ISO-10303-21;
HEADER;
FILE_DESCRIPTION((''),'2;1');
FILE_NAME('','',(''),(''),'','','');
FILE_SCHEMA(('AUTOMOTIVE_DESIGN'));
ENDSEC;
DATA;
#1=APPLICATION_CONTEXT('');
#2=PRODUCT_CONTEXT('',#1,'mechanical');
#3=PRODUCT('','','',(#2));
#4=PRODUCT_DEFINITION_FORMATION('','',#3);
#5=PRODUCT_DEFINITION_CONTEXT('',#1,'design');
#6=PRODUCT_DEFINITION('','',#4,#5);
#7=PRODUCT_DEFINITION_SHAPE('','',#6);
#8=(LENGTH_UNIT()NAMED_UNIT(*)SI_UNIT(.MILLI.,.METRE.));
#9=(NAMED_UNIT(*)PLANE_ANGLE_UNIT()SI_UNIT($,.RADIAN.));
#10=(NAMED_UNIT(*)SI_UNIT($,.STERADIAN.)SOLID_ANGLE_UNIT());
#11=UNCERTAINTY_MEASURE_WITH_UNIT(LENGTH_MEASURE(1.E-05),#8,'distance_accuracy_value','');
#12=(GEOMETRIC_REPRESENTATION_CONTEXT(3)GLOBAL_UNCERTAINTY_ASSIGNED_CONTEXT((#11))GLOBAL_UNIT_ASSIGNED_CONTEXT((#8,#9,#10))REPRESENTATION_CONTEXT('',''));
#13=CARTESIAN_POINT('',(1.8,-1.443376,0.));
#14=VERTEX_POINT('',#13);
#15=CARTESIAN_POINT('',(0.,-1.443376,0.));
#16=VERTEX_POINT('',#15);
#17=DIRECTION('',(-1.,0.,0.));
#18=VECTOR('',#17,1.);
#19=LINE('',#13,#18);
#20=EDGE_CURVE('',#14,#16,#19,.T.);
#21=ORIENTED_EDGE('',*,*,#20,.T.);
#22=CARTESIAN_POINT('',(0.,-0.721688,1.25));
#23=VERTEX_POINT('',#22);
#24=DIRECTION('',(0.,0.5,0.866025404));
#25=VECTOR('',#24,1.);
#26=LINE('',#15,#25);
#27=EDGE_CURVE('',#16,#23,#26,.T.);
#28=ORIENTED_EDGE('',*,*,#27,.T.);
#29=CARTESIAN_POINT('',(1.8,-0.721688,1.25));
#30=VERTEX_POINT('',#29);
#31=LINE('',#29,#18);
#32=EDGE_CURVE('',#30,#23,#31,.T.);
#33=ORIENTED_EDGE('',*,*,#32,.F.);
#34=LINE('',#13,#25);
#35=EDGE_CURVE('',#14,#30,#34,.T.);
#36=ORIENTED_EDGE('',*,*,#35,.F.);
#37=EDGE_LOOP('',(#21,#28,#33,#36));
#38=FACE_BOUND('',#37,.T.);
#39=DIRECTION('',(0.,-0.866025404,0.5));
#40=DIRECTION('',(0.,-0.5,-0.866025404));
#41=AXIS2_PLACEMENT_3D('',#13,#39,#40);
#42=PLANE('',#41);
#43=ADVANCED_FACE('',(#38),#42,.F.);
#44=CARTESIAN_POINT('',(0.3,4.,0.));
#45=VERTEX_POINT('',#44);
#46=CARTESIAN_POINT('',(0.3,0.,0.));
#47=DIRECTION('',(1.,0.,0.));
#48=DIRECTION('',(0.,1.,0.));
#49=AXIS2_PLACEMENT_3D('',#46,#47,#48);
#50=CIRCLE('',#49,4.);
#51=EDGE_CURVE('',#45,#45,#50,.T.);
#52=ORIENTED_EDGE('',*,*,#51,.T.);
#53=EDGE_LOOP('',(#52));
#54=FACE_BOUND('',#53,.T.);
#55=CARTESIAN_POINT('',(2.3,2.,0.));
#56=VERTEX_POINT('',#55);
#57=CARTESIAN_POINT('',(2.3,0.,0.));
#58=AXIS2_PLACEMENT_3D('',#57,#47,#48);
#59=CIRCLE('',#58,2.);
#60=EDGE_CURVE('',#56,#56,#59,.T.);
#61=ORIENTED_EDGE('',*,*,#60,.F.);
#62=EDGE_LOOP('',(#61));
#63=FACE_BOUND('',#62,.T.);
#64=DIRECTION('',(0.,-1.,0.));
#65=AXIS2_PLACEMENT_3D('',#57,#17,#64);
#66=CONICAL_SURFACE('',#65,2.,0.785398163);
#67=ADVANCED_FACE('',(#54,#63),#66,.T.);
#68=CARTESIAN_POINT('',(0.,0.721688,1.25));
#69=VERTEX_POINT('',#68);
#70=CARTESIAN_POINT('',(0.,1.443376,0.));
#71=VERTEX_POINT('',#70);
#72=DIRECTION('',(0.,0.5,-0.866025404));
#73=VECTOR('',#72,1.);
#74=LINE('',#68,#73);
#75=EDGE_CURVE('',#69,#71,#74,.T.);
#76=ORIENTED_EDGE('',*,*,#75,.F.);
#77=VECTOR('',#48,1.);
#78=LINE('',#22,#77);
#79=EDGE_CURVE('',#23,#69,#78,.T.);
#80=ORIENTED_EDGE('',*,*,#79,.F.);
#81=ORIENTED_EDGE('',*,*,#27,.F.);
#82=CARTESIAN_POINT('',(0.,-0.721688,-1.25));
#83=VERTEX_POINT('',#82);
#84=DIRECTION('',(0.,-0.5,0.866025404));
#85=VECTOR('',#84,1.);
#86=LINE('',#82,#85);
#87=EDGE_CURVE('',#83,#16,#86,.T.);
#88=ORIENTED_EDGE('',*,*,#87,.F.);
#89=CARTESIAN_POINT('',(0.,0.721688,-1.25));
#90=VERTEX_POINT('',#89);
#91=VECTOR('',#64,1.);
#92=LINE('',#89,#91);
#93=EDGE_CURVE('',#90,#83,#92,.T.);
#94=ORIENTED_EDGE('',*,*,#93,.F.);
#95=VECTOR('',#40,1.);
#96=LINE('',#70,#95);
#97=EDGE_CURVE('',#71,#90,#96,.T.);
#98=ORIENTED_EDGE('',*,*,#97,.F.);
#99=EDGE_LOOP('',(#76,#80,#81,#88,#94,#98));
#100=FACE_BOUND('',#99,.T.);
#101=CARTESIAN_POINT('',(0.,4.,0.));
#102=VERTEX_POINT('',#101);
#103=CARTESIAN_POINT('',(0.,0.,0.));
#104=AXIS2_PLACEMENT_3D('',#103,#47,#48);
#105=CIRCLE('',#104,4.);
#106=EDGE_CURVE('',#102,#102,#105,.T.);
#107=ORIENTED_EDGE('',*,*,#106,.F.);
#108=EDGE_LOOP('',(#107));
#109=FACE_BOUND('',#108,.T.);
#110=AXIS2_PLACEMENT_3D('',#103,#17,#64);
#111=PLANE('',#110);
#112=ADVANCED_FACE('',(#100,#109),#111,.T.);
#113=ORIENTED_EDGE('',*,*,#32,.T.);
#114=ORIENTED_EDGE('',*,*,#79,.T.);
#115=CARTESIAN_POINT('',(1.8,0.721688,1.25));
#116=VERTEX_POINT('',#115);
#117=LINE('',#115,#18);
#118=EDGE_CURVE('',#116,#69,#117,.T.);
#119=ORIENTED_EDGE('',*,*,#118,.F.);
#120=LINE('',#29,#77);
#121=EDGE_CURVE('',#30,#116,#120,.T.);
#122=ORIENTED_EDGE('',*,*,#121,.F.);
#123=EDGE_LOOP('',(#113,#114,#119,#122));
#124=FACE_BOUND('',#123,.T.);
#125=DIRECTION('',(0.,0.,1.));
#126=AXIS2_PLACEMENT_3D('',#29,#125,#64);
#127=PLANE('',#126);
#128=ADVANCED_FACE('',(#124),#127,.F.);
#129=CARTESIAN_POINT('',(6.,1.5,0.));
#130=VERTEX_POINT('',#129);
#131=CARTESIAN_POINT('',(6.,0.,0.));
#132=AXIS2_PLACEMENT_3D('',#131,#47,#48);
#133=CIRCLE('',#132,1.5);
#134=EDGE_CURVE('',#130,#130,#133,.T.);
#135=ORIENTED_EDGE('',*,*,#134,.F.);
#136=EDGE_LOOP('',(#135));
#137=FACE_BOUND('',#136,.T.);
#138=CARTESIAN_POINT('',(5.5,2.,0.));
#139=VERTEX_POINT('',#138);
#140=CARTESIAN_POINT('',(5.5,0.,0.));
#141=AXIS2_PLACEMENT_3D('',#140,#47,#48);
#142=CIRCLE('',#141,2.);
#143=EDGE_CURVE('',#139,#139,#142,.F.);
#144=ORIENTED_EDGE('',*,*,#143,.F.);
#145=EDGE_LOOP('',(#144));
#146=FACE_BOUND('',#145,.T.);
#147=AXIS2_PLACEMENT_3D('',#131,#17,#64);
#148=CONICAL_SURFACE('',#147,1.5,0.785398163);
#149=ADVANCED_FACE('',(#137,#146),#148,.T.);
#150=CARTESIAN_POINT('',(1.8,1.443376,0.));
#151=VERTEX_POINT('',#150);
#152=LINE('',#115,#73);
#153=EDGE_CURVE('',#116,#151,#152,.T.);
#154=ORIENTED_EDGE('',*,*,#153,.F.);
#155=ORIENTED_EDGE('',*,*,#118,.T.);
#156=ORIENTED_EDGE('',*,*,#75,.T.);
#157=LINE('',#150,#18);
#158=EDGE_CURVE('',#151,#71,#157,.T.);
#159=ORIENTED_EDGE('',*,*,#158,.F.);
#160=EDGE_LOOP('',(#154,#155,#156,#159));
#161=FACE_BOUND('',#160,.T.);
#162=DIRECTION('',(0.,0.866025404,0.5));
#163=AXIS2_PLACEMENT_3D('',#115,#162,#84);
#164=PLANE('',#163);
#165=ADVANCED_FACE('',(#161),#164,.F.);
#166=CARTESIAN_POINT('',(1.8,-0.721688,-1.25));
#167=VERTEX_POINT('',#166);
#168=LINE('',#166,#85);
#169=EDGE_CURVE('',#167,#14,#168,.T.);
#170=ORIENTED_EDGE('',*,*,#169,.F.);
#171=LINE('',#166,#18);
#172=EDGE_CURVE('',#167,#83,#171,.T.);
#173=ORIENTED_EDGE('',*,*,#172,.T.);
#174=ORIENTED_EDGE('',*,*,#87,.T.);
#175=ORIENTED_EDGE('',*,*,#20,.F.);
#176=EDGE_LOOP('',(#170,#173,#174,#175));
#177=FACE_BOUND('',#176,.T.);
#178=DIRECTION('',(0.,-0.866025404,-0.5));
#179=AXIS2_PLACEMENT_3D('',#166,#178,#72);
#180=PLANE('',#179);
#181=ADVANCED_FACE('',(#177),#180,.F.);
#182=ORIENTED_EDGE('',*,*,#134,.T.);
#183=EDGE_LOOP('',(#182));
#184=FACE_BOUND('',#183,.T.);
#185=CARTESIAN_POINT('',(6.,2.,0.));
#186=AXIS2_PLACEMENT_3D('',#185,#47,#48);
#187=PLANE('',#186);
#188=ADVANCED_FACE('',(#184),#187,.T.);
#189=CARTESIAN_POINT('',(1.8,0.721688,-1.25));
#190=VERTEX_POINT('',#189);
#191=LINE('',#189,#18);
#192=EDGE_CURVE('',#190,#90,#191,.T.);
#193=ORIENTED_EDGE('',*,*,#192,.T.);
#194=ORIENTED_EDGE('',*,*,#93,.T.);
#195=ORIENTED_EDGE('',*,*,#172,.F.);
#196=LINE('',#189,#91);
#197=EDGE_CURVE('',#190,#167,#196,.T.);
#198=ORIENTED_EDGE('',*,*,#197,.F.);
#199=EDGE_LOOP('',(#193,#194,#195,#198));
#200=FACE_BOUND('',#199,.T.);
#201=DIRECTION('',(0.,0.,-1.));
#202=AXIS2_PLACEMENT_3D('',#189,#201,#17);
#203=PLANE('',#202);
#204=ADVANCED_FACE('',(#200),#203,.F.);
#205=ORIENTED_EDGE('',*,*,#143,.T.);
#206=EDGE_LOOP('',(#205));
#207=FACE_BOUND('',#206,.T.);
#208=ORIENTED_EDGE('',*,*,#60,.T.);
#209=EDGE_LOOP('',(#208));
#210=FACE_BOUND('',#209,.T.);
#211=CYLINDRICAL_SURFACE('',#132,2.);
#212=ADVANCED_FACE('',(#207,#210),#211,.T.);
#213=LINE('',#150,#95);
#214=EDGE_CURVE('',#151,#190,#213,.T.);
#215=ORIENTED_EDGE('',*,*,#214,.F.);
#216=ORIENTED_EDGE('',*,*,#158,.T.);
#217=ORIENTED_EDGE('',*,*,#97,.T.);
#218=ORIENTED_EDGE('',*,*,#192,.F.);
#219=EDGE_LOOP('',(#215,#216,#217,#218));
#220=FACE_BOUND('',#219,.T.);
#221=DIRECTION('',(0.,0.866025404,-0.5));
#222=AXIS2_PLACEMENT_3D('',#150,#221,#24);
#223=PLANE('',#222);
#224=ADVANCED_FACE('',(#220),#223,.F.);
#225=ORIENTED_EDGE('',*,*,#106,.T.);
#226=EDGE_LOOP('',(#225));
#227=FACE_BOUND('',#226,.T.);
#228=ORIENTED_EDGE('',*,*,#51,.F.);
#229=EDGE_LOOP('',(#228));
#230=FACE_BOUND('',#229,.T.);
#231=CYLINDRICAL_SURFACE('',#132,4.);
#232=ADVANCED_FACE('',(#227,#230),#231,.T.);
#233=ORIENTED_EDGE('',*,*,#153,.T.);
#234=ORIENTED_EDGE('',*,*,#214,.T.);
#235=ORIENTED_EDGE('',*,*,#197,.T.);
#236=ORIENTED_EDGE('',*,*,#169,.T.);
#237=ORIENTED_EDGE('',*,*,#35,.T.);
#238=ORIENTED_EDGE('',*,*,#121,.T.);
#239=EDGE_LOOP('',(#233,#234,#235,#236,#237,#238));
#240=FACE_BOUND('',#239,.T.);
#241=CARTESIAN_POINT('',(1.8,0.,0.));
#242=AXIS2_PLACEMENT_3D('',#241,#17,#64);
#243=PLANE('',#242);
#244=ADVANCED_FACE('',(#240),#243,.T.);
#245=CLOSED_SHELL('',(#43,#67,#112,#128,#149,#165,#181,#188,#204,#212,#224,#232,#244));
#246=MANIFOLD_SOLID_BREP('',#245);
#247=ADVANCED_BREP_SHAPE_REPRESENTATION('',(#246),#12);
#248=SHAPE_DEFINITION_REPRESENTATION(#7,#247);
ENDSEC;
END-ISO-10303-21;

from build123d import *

# Parameters (mm, degrees)
CHANFREIN1_SIZE         = 0.5
ENL_V_MAT_EXTRU_1_DEPTH = 1.8


with BuildPart() as part:
    # Esquisse1 → Révolution1 (revolve)
    with BuildSketch(Plane.XY):
        Polygon((0, 0), (0, 4), (0.3, 4), (2.3, 2), (6, 2), (6, 0), align=None)
    revolve(axis=Axis((6, 0, 0), (-1, 0, 0)))

    # Chanfrein1
    chanfrein1_edges = [part.edges().sort_by_distance(p)[0] for p in [
        (6, -2, 0),
    ]]
    chamfer(chanfrein1_edges, length=CHANFREIN1_SIZE)

    # Esquisse2 → Enlèv. mat.-Extru.1 (cut)
    with BuildSketch(Plane.ZY):
        Polygon((0, 1.443375673), (-1.25, 0.721687836), (-1.25, -0.721687836), (0, -1.443375673), (1.25, -0.721687836), (1.25, 0.721687836), align=None)
    extrude(amount=-ENL_V_MAT_EXTRU_1_DEPTH, mode=Mode.SUBTRACT)


solid = part.part
